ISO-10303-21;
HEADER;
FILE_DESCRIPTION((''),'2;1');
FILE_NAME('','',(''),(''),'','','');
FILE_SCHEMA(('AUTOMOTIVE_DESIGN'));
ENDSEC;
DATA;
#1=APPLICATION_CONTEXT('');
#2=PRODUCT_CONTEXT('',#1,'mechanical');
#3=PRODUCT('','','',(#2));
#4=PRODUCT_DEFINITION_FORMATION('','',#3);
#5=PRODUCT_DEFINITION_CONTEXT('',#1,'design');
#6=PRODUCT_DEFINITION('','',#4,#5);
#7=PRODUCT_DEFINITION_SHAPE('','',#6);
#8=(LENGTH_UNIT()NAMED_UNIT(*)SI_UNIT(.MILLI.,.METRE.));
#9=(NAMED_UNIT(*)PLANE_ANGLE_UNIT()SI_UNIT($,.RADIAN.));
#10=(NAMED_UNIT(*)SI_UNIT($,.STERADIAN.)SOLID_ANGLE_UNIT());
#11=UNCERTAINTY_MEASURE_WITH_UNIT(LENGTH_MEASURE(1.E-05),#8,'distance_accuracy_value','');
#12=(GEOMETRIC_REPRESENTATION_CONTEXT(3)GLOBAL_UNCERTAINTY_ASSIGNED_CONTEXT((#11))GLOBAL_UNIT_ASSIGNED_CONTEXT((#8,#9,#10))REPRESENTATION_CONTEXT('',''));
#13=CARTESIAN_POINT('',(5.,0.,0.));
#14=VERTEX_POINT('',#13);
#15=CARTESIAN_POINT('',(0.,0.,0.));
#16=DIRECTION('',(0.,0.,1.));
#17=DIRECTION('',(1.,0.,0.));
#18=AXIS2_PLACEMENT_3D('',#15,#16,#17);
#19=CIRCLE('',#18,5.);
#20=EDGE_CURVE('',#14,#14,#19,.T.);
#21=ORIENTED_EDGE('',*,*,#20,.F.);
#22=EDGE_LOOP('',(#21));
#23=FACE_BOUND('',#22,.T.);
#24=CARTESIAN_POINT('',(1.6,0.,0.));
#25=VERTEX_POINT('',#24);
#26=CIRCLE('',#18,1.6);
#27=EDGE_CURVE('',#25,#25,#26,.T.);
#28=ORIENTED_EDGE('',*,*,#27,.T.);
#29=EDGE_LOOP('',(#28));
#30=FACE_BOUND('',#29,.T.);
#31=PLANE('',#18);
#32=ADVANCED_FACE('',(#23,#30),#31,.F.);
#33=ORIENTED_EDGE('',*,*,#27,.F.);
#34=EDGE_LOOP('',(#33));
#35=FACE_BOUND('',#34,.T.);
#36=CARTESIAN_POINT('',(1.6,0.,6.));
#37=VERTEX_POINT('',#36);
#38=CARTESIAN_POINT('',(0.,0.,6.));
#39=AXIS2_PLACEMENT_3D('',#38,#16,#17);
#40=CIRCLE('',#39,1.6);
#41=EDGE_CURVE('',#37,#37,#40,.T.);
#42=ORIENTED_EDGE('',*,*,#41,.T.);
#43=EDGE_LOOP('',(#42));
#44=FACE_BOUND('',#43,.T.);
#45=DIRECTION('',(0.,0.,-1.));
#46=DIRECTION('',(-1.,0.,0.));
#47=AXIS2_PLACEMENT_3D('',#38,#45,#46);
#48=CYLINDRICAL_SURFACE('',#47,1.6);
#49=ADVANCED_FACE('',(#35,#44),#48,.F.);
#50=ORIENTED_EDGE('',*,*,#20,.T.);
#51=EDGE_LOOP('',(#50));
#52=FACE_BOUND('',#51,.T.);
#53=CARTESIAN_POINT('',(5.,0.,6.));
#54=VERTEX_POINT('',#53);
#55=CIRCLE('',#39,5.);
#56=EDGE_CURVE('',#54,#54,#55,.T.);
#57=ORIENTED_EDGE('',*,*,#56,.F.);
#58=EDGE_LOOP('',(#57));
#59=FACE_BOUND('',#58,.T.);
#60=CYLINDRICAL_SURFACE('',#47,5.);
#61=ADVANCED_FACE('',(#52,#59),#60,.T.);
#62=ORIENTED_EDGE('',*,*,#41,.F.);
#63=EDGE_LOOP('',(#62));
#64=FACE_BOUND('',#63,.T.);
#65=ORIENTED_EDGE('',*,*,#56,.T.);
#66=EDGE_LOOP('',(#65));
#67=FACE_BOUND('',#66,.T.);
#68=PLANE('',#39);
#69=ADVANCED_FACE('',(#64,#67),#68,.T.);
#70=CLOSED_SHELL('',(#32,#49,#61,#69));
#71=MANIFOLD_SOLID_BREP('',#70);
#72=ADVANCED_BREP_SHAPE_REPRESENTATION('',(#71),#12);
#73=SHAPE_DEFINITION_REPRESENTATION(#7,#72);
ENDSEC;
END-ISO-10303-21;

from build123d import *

# Parameters (mm, degrees)
SKETCH1_R     = 5
SKETCH1_R_2   = 1.6
GROMMET_DEPTH = 6


with BuildPart() as part:
    # Sketch1 → Grommet (new body)
    with BuildSketch(Plane.XY):
        Circle(SKETCH1_R)
        Circle(SKETCH1_R_2, mode=Mode.SUBTRACT)
    extrude(amount=GROMMET_DEPTH)


solid = part.part
